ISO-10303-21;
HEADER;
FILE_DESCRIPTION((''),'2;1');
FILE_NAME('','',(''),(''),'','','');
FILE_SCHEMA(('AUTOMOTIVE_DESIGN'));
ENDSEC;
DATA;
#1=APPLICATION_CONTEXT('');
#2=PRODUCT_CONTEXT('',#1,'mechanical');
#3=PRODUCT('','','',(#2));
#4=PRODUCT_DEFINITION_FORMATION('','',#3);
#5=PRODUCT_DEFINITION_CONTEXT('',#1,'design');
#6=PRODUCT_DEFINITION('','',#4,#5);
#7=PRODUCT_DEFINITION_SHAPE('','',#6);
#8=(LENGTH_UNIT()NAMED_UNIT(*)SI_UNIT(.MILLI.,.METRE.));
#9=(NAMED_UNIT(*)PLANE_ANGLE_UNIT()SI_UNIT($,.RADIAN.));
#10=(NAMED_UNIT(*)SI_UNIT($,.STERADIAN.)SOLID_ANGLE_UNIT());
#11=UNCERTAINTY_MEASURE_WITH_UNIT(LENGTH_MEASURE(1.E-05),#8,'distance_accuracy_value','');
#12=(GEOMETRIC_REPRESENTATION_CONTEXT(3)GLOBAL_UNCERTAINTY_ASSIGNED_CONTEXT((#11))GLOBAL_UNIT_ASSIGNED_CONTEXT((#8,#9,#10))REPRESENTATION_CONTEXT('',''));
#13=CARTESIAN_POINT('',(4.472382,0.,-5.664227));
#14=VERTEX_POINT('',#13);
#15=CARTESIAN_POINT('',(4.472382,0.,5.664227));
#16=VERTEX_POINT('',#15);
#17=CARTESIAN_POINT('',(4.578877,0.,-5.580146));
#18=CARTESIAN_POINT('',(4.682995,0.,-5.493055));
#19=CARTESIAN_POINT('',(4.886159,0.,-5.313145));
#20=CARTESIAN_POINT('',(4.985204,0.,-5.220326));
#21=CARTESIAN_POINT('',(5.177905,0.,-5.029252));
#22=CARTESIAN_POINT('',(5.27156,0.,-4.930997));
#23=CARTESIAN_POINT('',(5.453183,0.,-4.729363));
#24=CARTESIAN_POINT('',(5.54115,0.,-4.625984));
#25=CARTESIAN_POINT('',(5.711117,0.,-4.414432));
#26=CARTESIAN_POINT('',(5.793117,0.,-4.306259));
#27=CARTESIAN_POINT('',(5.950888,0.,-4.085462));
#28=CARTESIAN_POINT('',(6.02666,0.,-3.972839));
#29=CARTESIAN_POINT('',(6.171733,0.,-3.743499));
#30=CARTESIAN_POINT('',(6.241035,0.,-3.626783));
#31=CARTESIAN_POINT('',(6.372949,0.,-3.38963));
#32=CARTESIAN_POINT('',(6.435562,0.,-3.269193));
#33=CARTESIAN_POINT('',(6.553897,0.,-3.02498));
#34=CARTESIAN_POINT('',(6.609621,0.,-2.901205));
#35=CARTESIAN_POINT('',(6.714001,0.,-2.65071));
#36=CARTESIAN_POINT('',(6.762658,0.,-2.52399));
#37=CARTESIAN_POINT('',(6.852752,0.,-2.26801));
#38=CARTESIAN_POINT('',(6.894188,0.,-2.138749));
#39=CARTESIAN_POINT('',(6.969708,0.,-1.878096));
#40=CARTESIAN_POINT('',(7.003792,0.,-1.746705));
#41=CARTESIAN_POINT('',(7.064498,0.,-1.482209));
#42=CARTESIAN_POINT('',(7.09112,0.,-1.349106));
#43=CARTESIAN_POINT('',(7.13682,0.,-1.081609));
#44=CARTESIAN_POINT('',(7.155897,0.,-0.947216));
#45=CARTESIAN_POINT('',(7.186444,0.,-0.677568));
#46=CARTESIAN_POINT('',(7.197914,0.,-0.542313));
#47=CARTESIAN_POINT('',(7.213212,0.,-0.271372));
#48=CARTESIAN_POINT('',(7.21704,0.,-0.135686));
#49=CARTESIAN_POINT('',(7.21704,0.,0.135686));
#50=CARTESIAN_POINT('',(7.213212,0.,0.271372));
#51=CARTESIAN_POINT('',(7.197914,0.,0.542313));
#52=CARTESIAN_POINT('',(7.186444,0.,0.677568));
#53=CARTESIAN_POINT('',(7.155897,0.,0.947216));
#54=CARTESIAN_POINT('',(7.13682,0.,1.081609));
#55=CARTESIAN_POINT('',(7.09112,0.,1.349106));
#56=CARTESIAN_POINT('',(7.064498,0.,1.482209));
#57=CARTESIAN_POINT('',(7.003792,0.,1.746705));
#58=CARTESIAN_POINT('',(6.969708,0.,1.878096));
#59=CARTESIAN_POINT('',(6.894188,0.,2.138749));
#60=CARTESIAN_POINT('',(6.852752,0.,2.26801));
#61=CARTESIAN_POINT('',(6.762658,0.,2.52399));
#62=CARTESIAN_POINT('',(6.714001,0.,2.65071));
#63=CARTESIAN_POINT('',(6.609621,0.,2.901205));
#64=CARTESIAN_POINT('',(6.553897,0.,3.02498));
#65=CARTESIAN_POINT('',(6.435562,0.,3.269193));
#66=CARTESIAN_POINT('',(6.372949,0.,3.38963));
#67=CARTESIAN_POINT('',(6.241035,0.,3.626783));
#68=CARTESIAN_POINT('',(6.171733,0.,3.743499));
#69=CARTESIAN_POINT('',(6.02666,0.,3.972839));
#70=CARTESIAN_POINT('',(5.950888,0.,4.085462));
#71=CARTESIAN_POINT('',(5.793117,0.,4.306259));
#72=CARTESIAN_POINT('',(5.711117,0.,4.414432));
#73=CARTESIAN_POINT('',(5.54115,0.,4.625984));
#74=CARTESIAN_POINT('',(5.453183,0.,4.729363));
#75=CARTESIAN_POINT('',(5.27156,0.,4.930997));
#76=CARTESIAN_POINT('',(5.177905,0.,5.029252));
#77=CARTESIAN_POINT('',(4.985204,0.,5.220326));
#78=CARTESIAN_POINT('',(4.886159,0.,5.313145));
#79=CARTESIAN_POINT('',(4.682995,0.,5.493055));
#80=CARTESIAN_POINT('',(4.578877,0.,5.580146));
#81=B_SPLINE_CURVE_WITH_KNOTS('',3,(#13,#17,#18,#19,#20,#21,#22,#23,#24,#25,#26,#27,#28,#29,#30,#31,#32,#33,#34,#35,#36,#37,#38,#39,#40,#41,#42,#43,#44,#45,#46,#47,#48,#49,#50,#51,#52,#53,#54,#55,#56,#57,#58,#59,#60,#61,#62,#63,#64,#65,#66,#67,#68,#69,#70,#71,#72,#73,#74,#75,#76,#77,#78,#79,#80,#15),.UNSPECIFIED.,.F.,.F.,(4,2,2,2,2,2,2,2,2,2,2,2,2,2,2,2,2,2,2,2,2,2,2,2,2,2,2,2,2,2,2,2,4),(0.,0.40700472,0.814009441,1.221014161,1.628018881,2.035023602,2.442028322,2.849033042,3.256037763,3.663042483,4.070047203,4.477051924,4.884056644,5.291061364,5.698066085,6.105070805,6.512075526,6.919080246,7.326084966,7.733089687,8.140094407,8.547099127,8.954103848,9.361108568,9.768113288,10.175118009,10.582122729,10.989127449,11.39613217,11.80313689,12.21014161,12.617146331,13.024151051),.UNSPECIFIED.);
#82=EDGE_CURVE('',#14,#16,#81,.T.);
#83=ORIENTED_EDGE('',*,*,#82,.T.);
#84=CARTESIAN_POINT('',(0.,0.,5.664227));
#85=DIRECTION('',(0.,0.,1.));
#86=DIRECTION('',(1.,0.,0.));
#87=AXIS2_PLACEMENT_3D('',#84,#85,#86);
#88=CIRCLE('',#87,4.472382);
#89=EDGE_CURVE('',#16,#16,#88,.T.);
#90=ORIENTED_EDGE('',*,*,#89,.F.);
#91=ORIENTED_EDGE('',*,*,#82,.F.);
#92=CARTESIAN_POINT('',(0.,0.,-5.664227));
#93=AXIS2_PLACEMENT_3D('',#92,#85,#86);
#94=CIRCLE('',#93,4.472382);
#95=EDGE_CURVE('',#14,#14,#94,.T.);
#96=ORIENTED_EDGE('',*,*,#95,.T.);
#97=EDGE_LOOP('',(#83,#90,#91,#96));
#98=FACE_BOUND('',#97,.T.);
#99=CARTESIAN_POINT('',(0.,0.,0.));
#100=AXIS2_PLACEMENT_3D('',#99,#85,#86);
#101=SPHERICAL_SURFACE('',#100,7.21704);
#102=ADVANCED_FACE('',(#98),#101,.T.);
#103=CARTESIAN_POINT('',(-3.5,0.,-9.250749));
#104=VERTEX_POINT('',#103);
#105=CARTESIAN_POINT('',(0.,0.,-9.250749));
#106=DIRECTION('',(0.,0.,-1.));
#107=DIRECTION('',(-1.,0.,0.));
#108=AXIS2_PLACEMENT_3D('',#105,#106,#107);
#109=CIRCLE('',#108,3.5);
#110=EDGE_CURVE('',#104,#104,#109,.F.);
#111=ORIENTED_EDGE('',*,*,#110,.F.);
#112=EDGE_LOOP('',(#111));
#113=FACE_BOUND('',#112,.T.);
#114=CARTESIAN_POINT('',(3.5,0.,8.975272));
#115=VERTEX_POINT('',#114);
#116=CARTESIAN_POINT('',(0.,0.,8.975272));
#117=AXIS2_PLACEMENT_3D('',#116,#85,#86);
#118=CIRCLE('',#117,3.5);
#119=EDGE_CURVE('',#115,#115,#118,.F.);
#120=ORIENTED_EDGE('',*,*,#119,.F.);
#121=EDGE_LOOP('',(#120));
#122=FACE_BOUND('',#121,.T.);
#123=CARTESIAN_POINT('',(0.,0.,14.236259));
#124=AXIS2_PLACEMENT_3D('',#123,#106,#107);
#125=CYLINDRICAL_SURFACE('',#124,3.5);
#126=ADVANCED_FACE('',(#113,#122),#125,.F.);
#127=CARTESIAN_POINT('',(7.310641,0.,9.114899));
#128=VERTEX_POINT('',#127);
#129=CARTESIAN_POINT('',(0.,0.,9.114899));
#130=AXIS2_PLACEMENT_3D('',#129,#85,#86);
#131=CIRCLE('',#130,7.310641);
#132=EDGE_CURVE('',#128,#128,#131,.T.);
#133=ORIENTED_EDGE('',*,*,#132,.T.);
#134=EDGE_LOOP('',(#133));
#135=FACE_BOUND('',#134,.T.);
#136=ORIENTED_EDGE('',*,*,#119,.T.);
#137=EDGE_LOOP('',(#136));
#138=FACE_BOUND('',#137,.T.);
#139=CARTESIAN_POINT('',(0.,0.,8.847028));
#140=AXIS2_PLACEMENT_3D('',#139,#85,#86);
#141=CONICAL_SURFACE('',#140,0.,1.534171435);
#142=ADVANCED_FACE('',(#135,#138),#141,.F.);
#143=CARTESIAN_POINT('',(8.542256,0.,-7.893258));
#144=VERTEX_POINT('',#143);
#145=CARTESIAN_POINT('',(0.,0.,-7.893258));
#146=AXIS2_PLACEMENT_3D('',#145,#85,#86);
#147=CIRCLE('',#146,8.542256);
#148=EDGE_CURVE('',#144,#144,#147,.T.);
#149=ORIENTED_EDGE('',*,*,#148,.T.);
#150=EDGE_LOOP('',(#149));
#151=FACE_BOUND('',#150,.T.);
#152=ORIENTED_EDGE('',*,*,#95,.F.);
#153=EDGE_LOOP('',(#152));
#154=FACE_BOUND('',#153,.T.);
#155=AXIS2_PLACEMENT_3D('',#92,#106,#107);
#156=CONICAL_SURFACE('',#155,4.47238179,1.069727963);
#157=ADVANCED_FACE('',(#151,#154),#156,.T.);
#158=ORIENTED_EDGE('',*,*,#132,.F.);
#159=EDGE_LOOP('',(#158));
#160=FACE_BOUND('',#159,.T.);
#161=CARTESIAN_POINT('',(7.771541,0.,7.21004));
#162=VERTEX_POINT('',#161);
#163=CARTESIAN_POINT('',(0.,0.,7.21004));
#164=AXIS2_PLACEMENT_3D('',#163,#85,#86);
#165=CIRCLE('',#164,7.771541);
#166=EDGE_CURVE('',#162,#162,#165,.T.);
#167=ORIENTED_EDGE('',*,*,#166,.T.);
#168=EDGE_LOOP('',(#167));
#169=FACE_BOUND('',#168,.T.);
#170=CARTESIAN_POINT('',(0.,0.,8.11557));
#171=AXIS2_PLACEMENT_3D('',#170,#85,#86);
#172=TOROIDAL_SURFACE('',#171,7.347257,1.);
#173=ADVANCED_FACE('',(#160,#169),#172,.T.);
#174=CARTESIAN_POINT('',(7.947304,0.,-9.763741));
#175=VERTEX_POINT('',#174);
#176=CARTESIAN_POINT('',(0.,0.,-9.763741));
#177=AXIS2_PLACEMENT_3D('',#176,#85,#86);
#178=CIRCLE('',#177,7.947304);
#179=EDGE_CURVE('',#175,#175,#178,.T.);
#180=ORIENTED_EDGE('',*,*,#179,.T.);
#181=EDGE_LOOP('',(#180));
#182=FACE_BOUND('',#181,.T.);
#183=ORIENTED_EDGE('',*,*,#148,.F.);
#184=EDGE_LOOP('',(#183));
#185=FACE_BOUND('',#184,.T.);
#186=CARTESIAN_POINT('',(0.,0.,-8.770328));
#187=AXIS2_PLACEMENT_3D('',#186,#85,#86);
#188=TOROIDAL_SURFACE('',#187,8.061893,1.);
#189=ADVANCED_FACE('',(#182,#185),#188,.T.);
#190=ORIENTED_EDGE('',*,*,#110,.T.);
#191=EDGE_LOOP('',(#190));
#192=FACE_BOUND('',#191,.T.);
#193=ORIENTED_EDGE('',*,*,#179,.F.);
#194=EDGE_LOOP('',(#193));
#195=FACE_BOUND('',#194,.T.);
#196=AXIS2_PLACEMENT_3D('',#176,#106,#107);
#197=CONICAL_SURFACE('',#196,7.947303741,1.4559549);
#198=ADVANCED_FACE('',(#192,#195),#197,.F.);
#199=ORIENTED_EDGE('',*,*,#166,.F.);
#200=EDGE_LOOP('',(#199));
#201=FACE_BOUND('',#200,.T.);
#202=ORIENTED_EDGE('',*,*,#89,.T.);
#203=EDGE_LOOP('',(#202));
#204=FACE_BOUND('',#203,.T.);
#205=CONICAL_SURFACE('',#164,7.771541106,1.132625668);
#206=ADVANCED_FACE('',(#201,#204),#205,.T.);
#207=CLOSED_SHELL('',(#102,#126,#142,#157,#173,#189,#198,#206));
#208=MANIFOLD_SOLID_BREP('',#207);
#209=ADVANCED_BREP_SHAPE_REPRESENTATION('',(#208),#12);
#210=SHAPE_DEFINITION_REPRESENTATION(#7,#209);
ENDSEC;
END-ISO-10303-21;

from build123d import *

# Parameters (mm, degrees)
SKETCH_2_R          = 3.5
CUT_EXTRUDE_1_DEPTH = 24


with BuildPart() as part:
    # 草图1 → 旋转1 (revolve)
    with BuildSketch(Plane(origin=(0, 0, 0), x_dir=(1, 0, 0), z_dir=(0, 1, 0))):
        with BuildLine():
            Line((4.47238179, 5.664226859), (8.542255744, 7.893258215))
            ThreePointArc((8.542255744, 7.893258215), (9.014848357, 9.073438454), (7.947303741, 9.763741043))
            Line((7.947303741, 9.763741043), (0, 8.847027754))
            Line((0, 8.847027754), (0, 3.743540559))
            Line((0, 3.743540559), (0, -3.743540559))
            Line((0, -3.743540559), (0, -8.847027754))
            Line((0, -8.847027754), (7.310640748, -9.114898963))
            ThreePointArc((7.310640748, -9.114898963), (8.319210693, -8.350743764), (7.771541106, -7.210040242))
            Line((7.771541106, -7.210040242), (4.47238179, -5.664226859))
            ThreePointArc((4.47238179, -5.664226859), (7.21703989, 0), (4.47238179, 5.664226859))
        make_face()
    revolve(axis=Axis((0, 0, 7.015647414), (0, 0, -1)))

    # 草图2 → 切除-拉伸1 (cut)
    with BuildSketch(Plane.XY.offset(-9.763741043)):
        with Locations(Location((0, 0, 0), (0, 0, 180))):
            Circle(SKETCH_2_R)
    extrude(amount=CUT_EXTRUDE_1_DEPTH, mode=Mode.SUBTRACT)


solid = part.part
